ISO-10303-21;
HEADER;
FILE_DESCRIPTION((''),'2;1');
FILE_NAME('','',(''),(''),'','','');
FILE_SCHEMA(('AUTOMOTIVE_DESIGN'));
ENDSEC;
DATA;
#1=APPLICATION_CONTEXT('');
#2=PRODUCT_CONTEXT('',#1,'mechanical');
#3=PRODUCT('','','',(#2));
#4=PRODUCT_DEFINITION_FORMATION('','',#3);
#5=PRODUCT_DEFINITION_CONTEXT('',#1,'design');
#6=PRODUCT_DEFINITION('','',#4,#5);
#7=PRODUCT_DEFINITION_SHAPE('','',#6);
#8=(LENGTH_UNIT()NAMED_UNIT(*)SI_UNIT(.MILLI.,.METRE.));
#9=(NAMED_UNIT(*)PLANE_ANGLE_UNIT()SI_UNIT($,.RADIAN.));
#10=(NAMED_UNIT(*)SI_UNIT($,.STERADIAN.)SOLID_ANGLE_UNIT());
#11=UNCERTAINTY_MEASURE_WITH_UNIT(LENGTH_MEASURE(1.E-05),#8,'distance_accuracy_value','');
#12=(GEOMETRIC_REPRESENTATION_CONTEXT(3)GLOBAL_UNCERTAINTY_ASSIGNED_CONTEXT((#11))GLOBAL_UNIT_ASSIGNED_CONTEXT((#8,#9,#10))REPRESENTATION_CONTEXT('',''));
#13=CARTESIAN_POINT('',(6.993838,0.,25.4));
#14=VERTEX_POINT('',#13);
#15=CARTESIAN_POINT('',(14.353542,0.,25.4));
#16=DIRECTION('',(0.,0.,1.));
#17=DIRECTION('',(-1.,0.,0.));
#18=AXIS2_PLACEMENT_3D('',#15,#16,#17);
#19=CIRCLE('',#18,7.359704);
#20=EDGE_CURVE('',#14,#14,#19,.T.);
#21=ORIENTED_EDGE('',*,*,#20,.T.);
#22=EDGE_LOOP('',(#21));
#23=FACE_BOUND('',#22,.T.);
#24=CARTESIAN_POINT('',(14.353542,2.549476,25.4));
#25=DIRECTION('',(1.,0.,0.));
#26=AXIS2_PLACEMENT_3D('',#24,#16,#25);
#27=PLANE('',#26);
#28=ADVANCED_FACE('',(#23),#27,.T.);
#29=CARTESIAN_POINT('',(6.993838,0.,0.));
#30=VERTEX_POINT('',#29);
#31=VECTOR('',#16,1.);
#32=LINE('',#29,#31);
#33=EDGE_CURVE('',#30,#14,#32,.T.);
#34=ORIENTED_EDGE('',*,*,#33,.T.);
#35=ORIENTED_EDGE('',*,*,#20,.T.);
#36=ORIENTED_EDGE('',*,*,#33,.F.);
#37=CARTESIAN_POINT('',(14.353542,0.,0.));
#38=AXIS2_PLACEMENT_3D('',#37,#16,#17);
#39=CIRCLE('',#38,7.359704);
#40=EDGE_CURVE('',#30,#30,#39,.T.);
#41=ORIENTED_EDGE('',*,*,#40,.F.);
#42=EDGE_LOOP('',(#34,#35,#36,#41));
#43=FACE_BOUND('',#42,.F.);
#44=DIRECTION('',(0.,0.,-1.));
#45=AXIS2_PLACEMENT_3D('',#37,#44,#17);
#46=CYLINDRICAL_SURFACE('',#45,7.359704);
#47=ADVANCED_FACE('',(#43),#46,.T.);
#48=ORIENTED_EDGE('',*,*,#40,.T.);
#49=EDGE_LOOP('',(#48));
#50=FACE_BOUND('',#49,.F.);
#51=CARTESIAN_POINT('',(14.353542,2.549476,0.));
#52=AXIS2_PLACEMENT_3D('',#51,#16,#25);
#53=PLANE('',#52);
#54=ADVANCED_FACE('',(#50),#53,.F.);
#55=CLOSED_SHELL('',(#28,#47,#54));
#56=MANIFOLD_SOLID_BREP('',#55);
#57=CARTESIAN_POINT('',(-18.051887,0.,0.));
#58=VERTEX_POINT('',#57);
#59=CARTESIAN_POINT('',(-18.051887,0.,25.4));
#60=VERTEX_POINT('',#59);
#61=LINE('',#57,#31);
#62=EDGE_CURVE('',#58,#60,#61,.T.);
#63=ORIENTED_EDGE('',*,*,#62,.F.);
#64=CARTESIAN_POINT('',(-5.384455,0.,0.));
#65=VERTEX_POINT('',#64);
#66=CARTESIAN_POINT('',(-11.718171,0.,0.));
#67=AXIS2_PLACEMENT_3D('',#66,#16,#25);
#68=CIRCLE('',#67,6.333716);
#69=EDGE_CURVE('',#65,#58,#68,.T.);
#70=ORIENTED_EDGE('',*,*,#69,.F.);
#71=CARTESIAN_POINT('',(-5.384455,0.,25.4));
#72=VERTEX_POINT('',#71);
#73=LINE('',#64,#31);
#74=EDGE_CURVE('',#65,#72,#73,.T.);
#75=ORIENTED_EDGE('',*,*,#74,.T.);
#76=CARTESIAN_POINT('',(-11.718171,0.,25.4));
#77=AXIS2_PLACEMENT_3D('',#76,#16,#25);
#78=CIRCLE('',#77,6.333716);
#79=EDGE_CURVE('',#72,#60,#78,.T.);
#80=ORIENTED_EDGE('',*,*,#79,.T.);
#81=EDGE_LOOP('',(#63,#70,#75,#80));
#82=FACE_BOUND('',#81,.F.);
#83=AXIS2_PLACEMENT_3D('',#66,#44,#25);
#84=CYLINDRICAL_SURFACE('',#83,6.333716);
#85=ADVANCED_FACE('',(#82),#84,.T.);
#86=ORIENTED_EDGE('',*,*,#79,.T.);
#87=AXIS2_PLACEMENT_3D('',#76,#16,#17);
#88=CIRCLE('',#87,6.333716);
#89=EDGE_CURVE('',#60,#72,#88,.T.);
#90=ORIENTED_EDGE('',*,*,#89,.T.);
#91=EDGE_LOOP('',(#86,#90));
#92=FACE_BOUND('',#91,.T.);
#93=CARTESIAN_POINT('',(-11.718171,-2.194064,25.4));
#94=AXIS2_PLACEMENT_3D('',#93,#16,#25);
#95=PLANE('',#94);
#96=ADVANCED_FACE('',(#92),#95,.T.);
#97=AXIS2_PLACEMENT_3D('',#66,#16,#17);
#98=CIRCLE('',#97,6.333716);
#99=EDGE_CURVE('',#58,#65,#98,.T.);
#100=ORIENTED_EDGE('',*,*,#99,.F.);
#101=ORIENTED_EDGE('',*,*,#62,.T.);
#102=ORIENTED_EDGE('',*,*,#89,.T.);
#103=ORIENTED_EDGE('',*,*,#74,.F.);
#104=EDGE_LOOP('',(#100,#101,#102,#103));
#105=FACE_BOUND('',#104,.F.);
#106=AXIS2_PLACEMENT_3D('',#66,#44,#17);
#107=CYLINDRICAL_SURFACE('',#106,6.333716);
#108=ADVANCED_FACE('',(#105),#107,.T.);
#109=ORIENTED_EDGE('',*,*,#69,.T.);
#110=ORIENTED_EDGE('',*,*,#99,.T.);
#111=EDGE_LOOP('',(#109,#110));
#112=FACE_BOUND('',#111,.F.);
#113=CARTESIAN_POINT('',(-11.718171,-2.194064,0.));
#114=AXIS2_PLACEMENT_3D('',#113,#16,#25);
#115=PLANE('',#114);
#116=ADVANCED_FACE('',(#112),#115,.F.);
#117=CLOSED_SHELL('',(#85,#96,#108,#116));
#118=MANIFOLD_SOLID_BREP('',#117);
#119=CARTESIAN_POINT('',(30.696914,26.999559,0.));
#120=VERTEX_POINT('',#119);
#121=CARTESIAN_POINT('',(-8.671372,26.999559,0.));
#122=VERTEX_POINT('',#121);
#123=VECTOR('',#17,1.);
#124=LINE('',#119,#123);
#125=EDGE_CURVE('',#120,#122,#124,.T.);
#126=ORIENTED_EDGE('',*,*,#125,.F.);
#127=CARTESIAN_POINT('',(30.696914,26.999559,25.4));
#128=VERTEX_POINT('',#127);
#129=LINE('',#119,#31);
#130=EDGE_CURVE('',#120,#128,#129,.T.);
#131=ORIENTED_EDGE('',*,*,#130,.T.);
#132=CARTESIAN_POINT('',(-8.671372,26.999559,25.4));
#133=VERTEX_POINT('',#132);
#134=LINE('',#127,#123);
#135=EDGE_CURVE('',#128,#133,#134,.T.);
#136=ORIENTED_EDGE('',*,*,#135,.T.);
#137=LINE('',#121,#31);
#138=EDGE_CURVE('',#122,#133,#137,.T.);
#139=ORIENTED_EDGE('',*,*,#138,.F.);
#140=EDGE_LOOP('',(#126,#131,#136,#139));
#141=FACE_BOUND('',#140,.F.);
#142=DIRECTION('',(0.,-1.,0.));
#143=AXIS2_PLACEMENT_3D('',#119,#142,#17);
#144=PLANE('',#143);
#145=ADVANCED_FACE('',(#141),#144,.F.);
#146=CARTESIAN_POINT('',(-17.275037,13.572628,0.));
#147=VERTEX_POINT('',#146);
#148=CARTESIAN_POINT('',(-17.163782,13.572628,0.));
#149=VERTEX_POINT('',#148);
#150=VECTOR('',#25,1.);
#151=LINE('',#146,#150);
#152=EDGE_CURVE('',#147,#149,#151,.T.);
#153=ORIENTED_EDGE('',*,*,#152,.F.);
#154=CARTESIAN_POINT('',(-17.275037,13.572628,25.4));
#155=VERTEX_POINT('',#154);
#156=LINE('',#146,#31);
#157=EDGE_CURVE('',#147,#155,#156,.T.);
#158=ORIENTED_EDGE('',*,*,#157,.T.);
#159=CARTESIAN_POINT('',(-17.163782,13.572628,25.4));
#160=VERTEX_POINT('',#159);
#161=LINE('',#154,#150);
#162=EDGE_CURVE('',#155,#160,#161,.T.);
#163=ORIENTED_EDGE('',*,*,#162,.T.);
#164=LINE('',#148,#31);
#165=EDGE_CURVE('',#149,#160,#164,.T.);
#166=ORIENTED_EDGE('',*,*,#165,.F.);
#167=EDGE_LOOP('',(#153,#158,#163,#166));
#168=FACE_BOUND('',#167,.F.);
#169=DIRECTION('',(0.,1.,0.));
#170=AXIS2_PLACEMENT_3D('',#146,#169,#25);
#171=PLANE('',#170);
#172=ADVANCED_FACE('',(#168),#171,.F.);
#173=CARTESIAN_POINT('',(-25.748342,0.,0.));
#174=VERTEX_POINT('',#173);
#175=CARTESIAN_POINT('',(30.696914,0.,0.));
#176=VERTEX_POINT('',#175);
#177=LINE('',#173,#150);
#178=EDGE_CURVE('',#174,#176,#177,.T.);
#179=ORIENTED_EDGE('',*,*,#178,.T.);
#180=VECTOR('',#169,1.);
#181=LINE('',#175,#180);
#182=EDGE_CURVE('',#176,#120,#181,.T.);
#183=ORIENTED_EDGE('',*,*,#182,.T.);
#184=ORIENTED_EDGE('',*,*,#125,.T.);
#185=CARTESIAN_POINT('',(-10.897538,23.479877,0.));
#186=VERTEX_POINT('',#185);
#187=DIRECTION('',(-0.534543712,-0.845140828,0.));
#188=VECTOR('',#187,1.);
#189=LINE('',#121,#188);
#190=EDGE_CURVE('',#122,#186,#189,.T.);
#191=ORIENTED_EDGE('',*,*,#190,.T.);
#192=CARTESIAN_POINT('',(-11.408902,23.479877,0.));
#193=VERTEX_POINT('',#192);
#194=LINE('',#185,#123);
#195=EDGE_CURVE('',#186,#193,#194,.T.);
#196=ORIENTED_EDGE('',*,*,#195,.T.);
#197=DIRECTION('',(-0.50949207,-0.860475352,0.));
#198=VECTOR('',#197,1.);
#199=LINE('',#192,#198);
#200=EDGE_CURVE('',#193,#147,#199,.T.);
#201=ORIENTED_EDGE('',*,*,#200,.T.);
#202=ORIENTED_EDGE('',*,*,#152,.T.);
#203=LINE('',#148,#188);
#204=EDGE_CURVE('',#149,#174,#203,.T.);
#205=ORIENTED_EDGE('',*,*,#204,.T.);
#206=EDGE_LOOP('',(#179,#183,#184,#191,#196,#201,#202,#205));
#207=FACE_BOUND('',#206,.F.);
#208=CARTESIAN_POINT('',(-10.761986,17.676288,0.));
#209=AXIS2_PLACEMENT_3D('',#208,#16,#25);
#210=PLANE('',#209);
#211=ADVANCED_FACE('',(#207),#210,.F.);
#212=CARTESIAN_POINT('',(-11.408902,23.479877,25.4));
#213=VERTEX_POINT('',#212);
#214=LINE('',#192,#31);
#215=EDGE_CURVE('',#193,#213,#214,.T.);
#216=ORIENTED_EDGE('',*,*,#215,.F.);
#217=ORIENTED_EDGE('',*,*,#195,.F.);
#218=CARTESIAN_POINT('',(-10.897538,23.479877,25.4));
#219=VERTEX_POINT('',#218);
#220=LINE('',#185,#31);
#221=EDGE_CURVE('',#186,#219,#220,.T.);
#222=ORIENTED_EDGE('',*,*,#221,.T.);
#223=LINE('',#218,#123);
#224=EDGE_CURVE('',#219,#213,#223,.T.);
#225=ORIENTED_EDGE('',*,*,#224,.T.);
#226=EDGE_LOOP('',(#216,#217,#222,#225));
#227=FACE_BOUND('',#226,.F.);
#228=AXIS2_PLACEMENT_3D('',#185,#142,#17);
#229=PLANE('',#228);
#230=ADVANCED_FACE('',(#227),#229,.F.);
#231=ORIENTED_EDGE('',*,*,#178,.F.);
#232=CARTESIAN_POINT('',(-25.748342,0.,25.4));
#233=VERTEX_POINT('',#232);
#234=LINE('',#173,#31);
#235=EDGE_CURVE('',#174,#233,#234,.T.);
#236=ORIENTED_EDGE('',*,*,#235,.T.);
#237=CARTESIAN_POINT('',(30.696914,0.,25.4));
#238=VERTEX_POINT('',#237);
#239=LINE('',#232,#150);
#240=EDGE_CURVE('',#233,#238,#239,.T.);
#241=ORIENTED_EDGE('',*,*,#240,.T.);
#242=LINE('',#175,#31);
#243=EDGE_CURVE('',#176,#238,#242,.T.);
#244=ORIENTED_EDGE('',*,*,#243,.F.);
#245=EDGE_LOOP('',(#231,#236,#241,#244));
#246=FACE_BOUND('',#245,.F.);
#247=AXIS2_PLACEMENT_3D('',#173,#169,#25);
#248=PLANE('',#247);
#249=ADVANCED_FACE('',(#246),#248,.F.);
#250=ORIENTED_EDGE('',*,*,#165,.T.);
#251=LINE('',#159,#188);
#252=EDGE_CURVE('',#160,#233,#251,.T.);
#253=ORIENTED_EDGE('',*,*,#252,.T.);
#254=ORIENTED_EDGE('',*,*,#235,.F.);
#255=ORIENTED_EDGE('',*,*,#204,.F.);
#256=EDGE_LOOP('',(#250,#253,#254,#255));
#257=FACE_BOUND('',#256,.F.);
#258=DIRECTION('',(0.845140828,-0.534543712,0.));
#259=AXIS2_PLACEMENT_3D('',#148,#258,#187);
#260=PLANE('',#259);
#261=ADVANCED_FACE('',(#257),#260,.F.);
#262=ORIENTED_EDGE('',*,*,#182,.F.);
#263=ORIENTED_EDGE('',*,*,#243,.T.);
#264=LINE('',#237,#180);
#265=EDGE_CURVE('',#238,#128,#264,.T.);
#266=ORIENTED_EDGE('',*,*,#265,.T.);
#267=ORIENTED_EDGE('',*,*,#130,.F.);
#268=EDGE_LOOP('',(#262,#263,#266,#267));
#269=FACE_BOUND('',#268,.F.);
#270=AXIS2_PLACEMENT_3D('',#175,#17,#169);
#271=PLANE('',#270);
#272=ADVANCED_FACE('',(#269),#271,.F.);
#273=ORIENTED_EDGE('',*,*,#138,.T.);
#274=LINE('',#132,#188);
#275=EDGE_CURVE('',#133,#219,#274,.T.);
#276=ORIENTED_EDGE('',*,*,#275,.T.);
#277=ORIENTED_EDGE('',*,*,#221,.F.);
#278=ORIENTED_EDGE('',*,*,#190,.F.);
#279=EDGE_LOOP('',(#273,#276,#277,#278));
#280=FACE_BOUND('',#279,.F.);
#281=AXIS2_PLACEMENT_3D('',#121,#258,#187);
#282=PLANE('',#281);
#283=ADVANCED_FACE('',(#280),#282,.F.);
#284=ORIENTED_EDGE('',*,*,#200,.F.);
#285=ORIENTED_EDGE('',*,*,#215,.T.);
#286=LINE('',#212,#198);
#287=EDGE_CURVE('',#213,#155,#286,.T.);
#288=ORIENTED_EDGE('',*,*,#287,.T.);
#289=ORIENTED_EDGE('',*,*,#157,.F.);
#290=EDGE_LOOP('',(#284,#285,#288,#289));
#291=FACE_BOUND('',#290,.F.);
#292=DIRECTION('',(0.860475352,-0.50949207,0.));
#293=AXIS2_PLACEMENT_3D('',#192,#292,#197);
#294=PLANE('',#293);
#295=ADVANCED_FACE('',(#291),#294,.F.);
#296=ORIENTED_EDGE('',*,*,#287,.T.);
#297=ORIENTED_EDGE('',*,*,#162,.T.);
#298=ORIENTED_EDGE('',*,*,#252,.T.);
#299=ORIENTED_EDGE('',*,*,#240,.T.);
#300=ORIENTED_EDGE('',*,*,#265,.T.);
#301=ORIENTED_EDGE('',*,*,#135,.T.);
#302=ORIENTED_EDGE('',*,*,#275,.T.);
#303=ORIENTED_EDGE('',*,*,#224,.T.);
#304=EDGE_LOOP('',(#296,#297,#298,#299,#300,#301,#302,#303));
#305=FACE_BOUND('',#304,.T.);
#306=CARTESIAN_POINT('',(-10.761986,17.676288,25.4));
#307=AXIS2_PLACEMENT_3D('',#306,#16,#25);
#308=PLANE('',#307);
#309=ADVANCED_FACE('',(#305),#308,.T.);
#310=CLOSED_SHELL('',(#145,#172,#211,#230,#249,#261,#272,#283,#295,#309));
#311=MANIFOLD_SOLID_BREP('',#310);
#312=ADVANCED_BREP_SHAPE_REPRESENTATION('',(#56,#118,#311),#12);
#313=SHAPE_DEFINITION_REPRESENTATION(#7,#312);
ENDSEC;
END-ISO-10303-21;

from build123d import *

# Parameters (mm, degrees)
F2_DEPTH = 25.4
F4_DEPTH = 25.4


with BuildPart() as f2:
    # F0 (on Top) → F2 (new body)
    with BuildSketch(Plane.XY):
        with BuildLine():
            ThreePointArc((-18.0518868453, 0), (-11.7181707174, -6.3337161279), (-5.3844545894, 0))
            Line((-5.3844545894, 0), (-18.0518868453, 0))
        make_face()
        with BuildLine():
            Line((-18.0518868453, 0), (-5.3844545894, 0))
            ThreePointArc((-5.3844545894, 0), (-11.7181707174, 6.3337161279), (-18.0518868453, 0))
        make_face()
    extrude(amount=F2_DEPTH)


with BuildPart() as f2b:
    # F0 (on Top) → F2, piece 2 (new body)
    with BuildSketch(Plane.XY):
        with BuildLine():
            Line((6.9938381141, 0), (21.7132452005, 0))
            ThreePointArc((21.7132452005, 0), (14.3535416573, 7.3597035432), (6.9938381141, 0))
        make_face()
        with BuildLine():
            ThreePointArc((6.9938381141, 0), (14.3535416573, -7.3597035432), (21.7132452005, 0))
            Line((21.7132452005, 0), (6.9938381141, 0))
        make_face()
    extrude(amount=F2_DEPTH)


with BuildPart() as f4:
    # F3 (on face) → F4 (new body)
    with BuildSketch(Plane.XY):
        Polygon((-17.1637815215, 13.5726276785), (-6.5856352448, 13.5726276785), (-6.5856352448, 23.4798770398), (-10.8975384576, 23.4798770398), align=None)
        Polygon((-6.5856352448, 23.4798770398), (-6.5856352448, 13.5726276785), (-17.1637815215, 13.5726276785), (-25.7483422756, 0), (30.6969136, 0), (30.6969136, 26.9995592535), (-8.6713721976, 26.9995592535), (-10.8975384576, 23.4798770398), align=None)
        Polygon((-17.275037244, 13.5726276785), (-17.1637815215, 13.5726276785), (-10.8975384576, 23.4798770398), (-11.4089017734, 23.4798770398), align=None)
    extrude(amount=F4_DEPTH)


solid = Compound([f2.part, f2b.part, f4.part])
